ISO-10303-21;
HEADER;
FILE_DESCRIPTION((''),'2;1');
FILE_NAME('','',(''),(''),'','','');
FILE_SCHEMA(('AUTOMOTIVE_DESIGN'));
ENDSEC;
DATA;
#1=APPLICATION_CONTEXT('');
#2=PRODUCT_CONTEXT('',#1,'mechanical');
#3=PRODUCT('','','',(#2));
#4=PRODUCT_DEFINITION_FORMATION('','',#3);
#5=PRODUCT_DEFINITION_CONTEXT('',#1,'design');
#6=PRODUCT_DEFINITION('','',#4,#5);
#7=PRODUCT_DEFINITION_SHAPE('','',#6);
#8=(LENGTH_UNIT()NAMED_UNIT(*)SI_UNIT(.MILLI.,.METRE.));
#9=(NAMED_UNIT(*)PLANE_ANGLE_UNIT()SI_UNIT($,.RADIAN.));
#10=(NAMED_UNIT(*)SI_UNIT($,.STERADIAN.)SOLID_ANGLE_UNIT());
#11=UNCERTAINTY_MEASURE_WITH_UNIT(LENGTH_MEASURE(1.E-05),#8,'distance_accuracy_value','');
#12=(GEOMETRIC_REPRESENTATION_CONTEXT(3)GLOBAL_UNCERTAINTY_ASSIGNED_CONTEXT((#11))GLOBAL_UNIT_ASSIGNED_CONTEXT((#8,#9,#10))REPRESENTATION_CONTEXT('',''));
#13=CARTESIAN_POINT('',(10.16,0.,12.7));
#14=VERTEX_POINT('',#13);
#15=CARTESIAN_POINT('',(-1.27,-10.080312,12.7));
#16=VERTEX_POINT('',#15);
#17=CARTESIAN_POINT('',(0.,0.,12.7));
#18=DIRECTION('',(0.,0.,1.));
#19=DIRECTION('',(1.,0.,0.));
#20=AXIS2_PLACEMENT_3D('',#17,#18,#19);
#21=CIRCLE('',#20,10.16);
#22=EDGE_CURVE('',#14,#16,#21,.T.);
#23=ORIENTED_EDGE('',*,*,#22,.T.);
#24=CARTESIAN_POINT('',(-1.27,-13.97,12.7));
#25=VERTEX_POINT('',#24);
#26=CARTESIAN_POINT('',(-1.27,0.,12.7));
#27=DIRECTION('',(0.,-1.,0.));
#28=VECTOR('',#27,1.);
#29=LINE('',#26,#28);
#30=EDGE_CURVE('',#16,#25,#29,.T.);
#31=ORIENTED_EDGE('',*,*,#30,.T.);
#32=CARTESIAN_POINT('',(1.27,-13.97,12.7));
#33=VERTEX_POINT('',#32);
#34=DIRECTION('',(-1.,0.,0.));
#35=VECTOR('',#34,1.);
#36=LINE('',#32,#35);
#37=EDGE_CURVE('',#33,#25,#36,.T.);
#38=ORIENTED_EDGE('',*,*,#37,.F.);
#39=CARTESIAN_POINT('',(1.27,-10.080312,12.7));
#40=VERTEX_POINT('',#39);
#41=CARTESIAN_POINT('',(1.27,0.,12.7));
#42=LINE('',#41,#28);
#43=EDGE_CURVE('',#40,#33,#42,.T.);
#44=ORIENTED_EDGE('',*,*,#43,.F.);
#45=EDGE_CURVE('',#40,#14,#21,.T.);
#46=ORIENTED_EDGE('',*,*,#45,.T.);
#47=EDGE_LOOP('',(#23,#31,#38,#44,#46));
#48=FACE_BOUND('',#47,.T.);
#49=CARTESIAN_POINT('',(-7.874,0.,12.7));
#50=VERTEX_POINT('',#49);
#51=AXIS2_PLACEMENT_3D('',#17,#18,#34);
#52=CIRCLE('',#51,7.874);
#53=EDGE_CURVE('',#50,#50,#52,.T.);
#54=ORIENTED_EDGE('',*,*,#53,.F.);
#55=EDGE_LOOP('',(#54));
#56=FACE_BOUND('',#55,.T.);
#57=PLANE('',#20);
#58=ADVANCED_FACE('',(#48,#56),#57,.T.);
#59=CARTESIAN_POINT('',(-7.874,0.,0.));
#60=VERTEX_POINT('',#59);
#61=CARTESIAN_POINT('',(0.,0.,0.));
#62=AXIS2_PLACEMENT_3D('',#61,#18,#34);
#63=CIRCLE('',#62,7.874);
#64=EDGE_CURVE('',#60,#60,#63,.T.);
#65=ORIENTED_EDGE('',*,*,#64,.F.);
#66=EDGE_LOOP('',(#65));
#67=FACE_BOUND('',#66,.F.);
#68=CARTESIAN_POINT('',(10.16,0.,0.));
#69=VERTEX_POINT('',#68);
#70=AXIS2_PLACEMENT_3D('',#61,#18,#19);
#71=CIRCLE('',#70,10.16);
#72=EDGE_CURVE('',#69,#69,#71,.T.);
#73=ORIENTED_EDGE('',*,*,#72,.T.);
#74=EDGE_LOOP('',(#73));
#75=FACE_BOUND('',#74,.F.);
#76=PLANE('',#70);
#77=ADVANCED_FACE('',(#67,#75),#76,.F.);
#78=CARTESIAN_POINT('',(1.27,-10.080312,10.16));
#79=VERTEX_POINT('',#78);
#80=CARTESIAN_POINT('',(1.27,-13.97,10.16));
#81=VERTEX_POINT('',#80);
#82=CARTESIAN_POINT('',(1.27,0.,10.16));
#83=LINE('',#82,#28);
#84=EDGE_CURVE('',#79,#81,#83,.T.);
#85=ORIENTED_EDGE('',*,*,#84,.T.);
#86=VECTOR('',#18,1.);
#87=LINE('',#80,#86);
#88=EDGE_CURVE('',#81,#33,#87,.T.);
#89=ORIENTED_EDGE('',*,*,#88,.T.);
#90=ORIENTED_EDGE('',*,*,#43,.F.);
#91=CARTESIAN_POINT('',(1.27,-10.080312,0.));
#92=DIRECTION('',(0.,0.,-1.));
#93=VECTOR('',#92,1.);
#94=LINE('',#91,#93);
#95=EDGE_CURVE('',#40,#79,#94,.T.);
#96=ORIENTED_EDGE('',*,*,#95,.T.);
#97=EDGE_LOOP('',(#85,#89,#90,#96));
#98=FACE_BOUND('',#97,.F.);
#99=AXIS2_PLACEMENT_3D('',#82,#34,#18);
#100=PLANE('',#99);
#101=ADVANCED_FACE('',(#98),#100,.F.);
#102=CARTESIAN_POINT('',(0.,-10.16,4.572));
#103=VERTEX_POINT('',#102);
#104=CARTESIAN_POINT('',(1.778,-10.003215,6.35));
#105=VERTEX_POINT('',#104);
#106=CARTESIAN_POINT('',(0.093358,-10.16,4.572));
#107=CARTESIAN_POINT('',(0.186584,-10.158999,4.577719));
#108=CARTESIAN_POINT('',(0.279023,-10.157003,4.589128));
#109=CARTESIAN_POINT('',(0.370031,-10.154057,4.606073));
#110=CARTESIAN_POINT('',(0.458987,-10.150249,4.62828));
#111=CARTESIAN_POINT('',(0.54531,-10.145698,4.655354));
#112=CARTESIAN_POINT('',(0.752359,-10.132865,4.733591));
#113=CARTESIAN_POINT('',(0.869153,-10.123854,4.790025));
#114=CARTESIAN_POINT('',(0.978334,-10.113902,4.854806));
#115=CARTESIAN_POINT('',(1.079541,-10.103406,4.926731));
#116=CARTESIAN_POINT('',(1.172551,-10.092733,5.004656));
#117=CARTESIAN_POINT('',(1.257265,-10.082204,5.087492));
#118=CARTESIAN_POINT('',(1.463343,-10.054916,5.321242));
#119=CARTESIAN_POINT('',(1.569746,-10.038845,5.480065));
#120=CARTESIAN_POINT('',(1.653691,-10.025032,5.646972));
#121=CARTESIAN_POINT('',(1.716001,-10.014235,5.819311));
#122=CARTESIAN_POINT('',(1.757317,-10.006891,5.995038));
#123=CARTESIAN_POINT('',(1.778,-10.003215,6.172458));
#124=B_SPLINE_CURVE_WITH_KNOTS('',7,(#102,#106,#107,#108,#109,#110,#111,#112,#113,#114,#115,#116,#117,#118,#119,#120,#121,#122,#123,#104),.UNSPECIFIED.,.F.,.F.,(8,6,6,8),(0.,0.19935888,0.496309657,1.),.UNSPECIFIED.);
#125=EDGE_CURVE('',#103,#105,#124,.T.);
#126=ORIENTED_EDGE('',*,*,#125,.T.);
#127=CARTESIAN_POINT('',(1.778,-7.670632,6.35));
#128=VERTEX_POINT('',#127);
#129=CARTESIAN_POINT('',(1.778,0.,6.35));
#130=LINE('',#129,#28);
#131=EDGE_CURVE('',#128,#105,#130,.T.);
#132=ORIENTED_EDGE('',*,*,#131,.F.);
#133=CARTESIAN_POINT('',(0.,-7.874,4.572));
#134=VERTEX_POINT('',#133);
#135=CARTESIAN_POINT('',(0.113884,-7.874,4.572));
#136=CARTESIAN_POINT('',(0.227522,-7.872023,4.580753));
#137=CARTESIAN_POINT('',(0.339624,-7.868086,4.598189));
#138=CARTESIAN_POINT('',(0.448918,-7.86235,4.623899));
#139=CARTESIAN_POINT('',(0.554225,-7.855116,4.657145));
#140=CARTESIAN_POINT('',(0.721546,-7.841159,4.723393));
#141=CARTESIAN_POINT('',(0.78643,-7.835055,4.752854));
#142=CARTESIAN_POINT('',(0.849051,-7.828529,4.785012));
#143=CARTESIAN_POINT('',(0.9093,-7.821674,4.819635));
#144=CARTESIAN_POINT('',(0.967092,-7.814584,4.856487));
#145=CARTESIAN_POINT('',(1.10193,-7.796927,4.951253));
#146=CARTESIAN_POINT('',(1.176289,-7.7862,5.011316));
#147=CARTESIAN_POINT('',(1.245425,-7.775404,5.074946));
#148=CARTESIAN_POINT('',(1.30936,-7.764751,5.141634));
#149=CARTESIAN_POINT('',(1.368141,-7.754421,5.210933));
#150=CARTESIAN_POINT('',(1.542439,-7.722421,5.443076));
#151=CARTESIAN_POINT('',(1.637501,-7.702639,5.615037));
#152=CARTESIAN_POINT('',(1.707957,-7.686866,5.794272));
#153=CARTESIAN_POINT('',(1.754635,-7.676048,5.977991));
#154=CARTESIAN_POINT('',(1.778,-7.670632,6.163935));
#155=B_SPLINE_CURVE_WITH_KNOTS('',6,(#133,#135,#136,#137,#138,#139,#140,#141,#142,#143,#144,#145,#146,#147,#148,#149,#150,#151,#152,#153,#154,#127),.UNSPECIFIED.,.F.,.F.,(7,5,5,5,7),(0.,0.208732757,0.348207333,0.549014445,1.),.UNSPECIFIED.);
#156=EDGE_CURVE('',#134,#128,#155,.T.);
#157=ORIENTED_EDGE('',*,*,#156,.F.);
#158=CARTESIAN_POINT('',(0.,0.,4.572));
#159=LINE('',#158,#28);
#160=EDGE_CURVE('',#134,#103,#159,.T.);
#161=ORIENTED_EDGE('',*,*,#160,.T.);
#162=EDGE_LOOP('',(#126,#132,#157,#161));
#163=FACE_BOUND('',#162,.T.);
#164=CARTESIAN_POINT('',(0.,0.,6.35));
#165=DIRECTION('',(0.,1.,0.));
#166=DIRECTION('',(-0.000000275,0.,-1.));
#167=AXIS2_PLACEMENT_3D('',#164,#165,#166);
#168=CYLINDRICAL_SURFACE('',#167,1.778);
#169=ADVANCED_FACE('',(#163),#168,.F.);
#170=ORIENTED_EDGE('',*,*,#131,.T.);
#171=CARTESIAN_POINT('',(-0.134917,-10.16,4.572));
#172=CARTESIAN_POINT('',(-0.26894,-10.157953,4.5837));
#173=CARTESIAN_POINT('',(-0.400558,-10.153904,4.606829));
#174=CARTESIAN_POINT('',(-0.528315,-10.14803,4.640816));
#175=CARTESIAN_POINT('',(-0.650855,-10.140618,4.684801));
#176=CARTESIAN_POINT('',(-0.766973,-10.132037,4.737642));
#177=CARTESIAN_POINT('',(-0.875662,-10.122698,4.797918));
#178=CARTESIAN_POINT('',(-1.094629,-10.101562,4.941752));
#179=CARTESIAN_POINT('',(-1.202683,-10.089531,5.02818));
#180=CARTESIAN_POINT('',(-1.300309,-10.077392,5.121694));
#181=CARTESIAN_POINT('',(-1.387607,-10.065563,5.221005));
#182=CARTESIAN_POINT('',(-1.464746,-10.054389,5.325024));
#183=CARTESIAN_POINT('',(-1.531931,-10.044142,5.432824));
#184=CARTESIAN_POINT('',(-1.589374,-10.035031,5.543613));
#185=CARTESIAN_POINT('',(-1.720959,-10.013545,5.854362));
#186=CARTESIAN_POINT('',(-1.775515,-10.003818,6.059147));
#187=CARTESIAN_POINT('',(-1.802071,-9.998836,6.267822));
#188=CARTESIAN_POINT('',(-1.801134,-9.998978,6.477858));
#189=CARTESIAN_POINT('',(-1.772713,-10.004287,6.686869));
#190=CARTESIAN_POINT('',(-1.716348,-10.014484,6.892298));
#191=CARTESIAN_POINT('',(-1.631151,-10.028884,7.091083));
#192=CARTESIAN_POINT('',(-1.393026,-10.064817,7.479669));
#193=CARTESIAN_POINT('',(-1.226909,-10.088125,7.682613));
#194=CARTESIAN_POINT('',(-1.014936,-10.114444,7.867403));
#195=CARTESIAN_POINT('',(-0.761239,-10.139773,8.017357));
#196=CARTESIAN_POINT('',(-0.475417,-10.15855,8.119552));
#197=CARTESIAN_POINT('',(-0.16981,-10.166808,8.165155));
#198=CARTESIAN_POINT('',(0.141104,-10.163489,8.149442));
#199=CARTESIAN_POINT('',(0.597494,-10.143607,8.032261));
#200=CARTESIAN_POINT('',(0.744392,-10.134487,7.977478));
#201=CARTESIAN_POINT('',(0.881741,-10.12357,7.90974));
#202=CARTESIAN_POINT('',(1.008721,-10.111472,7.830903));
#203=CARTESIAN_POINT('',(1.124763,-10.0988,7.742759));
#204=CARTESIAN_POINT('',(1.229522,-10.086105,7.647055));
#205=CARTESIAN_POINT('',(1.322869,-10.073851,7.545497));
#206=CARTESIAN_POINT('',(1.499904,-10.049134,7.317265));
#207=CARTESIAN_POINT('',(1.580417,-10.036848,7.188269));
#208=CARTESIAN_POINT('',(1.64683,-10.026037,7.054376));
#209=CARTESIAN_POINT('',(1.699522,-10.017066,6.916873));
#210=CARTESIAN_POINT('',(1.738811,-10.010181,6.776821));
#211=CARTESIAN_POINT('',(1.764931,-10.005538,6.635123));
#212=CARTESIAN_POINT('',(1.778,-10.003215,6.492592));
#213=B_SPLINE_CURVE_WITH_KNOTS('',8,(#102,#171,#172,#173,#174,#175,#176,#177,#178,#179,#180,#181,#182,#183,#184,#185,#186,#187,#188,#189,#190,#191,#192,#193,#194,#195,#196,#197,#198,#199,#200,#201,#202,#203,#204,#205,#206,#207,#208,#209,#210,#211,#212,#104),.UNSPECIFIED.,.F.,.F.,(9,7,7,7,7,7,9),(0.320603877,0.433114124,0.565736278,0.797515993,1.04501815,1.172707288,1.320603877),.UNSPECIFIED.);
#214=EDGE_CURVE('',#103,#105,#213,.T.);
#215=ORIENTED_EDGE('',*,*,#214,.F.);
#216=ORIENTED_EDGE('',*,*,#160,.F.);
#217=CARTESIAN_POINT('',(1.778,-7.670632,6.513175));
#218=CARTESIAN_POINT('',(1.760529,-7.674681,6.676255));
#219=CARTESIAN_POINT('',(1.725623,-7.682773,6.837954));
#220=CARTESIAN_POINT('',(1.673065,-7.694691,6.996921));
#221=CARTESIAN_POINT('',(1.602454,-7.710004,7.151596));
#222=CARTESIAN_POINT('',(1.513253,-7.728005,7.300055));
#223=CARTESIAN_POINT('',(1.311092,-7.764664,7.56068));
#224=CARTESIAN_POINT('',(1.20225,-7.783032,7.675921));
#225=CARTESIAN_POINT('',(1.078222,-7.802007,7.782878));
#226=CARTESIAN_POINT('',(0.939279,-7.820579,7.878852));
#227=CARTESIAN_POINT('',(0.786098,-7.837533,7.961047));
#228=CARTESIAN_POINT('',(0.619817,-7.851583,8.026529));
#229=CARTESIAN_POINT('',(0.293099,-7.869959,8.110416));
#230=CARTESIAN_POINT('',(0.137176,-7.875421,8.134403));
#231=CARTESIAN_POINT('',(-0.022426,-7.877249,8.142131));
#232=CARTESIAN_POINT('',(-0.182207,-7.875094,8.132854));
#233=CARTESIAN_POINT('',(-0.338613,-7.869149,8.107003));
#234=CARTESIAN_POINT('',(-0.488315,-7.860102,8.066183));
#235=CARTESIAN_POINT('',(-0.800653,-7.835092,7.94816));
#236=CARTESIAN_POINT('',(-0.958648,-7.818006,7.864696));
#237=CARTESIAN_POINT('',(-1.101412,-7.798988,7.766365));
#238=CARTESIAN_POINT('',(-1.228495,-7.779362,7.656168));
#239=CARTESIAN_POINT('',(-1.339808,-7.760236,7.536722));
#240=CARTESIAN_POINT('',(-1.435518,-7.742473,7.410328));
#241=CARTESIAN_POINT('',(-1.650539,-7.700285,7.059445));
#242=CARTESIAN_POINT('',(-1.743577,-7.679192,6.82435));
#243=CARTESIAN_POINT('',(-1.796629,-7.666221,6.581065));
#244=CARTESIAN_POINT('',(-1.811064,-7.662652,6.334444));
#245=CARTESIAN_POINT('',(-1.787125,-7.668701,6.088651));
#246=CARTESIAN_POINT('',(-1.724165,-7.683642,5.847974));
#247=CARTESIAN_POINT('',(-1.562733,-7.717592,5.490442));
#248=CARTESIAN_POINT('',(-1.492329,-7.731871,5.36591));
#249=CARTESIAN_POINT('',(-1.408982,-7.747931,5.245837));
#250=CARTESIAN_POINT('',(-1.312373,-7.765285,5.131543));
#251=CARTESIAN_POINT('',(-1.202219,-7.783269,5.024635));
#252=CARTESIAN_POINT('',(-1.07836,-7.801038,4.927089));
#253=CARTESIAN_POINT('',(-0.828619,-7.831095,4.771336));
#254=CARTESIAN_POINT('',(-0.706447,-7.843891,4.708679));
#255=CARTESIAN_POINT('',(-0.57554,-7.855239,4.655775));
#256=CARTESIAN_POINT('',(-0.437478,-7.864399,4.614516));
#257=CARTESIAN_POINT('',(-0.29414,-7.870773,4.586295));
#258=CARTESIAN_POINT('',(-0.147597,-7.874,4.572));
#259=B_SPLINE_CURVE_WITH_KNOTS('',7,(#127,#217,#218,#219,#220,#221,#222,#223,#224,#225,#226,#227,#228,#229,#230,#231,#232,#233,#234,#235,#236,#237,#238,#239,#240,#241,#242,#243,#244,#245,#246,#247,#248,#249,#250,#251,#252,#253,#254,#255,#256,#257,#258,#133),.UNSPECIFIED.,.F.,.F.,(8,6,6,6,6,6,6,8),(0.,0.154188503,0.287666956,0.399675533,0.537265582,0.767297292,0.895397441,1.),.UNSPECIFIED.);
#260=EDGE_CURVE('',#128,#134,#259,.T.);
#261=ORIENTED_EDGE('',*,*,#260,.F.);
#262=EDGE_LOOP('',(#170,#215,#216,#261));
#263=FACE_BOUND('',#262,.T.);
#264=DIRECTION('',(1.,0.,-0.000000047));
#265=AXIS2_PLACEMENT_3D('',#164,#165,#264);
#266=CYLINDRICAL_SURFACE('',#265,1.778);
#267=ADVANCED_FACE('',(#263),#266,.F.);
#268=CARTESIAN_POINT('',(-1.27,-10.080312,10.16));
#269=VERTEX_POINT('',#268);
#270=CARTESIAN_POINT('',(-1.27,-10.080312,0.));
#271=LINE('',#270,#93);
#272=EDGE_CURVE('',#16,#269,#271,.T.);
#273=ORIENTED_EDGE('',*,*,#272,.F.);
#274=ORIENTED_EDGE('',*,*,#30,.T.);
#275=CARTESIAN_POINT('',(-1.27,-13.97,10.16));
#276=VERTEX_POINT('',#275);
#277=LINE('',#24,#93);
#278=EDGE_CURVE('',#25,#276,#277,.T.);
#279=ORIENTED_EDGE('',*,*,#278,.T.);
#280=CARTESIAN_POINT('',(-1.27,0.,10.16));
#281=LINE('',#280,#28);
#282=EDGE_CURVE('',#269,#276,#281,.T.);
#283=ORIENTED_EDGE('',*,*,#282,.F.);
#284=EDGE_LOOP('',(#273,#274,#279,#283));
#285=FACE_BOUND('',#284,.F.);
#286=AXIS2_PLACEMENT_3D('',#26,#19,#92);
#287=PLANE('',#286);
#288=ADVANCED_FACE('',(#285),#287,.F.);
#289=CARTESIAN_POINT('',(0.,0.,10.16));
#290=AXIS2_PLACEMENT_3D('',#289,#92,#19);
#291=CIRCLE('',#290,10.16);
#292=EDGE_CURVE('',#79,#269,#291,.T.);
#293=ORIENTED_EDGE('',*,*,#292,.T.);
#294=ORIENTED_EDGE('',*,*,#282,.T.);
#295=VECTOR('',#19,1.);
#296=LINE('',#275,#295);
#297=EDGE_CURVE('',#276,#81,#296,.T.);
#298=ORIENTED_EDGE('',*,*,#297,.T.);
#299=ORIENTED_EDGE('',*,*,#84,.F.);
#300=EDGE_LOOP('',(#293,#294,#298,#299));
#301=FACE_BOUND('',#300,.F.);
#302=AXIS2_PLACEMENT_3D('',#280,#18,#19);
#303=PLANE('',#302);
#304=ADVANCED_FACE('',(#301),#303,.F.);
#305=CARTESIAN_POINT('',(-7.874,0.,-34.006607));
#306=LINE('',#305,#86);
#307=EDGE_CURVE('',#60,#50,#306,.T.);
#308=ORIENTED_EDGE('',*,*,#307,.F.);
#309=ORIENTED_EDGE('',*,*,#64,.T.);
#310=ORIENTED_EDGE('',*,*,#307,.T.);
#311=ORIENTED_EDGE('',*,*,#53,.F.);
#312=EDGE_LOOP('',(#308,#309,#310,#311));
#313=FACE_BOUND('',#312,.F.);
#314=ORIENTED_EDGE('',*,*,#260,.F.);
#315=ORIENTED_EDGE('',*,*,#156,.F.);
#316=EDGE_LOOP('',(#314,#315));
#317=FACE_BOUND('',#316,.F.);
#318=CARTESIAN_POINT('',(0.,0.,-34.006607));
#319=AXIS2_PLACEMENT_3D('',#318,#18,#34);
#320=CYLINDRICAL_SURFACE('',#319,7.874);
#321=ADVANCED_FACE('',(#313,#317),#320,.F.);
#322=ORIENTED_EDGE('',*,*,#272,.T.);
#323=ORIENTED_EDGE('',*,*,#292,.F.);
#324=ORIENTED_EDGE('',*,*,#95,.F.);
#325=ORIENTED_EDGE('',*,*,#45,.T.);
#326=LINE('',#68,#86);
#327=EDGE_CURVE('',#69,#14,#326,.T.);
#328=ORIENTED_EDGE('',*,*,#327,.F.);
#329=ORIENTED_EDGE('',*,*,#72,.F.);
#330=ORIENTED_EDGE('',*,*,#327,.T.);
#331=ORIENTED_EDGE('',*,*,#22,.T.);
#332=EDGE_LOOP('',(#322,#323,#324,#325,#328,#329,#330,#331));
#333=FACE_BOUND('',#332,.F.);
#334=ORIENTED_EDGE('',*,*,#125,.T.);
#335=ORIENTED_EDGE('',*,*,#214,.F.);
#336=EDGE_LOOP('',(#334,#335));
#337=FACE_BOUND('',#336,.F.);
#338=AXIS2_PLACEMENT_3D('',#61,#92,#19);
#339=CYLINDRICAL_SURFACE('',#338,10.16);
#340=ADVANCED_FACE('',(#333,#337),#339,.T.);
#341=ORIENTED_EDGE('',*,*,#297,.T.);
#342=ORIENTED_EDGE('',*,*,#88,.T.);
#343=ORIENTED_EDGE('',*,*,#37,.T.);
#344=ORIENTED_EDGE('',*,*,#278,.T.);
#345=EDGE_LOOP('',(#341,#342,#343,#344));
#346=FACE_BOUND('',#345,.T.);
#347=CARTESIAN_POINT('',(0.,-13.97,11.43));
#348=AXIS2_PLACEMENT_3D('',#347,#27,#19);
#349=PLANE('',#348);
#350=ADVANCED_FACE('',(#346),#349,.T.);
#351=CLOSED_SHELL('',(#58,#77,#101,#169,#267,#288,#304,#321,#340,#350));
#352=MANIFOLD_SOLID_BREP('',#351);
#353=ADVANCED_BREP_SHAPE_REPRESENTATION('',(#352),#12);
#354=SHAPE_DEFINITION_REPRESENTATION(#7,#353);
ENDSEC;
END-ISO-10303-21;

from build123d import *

# Parameters (mm, degrees)
F0_R     = 10.16
F1_DEPTH = 12.7
F3_DEPTH = 13.97
F5_DEPTH = 10.16
F7_D     = 15.748


with BuildPart() as f1:
    # F0 (on Top) → F1 (new body)
    with BuildSketch(Plane.XY):
        Circle(F0_R)
    extrude(amount=F1_DEPTH)

    # F2 (on Front) → F3 (join)
    with BuildSketch(Plane.XZ):
        Polygon((-1.27, 12.7), (-1.27, 10.16), (0, 10.16), (1.27, 10.16), (1.27, 12.7), align=None)
    extrude(amount=F3_DEPTH)

    # F4 (on Front) → F5 (cut, through all)
    with BuildSketch(Plane.XZ):
        with BuildLine():
            ThreePointArc((0, 4.572), (1.257236, 5.092764), (1.778, 6.35))
            ThreePointArc((1.778, 6.35), (-1.257236, 7.607236), (0, 4.572))
        make_face()
    extrude(amount=F5_DEPTH, mode=Mode.SUBTRACT)

    # F7 (through all)
    with Locations(Plane(origin=(0, 0, 0), x_dir=(1, 0, 0), z_dir=(0, 0, -1))):
        with Locations((0, 0)):
            Hole(F7_D / 2)


solid = f1.part
